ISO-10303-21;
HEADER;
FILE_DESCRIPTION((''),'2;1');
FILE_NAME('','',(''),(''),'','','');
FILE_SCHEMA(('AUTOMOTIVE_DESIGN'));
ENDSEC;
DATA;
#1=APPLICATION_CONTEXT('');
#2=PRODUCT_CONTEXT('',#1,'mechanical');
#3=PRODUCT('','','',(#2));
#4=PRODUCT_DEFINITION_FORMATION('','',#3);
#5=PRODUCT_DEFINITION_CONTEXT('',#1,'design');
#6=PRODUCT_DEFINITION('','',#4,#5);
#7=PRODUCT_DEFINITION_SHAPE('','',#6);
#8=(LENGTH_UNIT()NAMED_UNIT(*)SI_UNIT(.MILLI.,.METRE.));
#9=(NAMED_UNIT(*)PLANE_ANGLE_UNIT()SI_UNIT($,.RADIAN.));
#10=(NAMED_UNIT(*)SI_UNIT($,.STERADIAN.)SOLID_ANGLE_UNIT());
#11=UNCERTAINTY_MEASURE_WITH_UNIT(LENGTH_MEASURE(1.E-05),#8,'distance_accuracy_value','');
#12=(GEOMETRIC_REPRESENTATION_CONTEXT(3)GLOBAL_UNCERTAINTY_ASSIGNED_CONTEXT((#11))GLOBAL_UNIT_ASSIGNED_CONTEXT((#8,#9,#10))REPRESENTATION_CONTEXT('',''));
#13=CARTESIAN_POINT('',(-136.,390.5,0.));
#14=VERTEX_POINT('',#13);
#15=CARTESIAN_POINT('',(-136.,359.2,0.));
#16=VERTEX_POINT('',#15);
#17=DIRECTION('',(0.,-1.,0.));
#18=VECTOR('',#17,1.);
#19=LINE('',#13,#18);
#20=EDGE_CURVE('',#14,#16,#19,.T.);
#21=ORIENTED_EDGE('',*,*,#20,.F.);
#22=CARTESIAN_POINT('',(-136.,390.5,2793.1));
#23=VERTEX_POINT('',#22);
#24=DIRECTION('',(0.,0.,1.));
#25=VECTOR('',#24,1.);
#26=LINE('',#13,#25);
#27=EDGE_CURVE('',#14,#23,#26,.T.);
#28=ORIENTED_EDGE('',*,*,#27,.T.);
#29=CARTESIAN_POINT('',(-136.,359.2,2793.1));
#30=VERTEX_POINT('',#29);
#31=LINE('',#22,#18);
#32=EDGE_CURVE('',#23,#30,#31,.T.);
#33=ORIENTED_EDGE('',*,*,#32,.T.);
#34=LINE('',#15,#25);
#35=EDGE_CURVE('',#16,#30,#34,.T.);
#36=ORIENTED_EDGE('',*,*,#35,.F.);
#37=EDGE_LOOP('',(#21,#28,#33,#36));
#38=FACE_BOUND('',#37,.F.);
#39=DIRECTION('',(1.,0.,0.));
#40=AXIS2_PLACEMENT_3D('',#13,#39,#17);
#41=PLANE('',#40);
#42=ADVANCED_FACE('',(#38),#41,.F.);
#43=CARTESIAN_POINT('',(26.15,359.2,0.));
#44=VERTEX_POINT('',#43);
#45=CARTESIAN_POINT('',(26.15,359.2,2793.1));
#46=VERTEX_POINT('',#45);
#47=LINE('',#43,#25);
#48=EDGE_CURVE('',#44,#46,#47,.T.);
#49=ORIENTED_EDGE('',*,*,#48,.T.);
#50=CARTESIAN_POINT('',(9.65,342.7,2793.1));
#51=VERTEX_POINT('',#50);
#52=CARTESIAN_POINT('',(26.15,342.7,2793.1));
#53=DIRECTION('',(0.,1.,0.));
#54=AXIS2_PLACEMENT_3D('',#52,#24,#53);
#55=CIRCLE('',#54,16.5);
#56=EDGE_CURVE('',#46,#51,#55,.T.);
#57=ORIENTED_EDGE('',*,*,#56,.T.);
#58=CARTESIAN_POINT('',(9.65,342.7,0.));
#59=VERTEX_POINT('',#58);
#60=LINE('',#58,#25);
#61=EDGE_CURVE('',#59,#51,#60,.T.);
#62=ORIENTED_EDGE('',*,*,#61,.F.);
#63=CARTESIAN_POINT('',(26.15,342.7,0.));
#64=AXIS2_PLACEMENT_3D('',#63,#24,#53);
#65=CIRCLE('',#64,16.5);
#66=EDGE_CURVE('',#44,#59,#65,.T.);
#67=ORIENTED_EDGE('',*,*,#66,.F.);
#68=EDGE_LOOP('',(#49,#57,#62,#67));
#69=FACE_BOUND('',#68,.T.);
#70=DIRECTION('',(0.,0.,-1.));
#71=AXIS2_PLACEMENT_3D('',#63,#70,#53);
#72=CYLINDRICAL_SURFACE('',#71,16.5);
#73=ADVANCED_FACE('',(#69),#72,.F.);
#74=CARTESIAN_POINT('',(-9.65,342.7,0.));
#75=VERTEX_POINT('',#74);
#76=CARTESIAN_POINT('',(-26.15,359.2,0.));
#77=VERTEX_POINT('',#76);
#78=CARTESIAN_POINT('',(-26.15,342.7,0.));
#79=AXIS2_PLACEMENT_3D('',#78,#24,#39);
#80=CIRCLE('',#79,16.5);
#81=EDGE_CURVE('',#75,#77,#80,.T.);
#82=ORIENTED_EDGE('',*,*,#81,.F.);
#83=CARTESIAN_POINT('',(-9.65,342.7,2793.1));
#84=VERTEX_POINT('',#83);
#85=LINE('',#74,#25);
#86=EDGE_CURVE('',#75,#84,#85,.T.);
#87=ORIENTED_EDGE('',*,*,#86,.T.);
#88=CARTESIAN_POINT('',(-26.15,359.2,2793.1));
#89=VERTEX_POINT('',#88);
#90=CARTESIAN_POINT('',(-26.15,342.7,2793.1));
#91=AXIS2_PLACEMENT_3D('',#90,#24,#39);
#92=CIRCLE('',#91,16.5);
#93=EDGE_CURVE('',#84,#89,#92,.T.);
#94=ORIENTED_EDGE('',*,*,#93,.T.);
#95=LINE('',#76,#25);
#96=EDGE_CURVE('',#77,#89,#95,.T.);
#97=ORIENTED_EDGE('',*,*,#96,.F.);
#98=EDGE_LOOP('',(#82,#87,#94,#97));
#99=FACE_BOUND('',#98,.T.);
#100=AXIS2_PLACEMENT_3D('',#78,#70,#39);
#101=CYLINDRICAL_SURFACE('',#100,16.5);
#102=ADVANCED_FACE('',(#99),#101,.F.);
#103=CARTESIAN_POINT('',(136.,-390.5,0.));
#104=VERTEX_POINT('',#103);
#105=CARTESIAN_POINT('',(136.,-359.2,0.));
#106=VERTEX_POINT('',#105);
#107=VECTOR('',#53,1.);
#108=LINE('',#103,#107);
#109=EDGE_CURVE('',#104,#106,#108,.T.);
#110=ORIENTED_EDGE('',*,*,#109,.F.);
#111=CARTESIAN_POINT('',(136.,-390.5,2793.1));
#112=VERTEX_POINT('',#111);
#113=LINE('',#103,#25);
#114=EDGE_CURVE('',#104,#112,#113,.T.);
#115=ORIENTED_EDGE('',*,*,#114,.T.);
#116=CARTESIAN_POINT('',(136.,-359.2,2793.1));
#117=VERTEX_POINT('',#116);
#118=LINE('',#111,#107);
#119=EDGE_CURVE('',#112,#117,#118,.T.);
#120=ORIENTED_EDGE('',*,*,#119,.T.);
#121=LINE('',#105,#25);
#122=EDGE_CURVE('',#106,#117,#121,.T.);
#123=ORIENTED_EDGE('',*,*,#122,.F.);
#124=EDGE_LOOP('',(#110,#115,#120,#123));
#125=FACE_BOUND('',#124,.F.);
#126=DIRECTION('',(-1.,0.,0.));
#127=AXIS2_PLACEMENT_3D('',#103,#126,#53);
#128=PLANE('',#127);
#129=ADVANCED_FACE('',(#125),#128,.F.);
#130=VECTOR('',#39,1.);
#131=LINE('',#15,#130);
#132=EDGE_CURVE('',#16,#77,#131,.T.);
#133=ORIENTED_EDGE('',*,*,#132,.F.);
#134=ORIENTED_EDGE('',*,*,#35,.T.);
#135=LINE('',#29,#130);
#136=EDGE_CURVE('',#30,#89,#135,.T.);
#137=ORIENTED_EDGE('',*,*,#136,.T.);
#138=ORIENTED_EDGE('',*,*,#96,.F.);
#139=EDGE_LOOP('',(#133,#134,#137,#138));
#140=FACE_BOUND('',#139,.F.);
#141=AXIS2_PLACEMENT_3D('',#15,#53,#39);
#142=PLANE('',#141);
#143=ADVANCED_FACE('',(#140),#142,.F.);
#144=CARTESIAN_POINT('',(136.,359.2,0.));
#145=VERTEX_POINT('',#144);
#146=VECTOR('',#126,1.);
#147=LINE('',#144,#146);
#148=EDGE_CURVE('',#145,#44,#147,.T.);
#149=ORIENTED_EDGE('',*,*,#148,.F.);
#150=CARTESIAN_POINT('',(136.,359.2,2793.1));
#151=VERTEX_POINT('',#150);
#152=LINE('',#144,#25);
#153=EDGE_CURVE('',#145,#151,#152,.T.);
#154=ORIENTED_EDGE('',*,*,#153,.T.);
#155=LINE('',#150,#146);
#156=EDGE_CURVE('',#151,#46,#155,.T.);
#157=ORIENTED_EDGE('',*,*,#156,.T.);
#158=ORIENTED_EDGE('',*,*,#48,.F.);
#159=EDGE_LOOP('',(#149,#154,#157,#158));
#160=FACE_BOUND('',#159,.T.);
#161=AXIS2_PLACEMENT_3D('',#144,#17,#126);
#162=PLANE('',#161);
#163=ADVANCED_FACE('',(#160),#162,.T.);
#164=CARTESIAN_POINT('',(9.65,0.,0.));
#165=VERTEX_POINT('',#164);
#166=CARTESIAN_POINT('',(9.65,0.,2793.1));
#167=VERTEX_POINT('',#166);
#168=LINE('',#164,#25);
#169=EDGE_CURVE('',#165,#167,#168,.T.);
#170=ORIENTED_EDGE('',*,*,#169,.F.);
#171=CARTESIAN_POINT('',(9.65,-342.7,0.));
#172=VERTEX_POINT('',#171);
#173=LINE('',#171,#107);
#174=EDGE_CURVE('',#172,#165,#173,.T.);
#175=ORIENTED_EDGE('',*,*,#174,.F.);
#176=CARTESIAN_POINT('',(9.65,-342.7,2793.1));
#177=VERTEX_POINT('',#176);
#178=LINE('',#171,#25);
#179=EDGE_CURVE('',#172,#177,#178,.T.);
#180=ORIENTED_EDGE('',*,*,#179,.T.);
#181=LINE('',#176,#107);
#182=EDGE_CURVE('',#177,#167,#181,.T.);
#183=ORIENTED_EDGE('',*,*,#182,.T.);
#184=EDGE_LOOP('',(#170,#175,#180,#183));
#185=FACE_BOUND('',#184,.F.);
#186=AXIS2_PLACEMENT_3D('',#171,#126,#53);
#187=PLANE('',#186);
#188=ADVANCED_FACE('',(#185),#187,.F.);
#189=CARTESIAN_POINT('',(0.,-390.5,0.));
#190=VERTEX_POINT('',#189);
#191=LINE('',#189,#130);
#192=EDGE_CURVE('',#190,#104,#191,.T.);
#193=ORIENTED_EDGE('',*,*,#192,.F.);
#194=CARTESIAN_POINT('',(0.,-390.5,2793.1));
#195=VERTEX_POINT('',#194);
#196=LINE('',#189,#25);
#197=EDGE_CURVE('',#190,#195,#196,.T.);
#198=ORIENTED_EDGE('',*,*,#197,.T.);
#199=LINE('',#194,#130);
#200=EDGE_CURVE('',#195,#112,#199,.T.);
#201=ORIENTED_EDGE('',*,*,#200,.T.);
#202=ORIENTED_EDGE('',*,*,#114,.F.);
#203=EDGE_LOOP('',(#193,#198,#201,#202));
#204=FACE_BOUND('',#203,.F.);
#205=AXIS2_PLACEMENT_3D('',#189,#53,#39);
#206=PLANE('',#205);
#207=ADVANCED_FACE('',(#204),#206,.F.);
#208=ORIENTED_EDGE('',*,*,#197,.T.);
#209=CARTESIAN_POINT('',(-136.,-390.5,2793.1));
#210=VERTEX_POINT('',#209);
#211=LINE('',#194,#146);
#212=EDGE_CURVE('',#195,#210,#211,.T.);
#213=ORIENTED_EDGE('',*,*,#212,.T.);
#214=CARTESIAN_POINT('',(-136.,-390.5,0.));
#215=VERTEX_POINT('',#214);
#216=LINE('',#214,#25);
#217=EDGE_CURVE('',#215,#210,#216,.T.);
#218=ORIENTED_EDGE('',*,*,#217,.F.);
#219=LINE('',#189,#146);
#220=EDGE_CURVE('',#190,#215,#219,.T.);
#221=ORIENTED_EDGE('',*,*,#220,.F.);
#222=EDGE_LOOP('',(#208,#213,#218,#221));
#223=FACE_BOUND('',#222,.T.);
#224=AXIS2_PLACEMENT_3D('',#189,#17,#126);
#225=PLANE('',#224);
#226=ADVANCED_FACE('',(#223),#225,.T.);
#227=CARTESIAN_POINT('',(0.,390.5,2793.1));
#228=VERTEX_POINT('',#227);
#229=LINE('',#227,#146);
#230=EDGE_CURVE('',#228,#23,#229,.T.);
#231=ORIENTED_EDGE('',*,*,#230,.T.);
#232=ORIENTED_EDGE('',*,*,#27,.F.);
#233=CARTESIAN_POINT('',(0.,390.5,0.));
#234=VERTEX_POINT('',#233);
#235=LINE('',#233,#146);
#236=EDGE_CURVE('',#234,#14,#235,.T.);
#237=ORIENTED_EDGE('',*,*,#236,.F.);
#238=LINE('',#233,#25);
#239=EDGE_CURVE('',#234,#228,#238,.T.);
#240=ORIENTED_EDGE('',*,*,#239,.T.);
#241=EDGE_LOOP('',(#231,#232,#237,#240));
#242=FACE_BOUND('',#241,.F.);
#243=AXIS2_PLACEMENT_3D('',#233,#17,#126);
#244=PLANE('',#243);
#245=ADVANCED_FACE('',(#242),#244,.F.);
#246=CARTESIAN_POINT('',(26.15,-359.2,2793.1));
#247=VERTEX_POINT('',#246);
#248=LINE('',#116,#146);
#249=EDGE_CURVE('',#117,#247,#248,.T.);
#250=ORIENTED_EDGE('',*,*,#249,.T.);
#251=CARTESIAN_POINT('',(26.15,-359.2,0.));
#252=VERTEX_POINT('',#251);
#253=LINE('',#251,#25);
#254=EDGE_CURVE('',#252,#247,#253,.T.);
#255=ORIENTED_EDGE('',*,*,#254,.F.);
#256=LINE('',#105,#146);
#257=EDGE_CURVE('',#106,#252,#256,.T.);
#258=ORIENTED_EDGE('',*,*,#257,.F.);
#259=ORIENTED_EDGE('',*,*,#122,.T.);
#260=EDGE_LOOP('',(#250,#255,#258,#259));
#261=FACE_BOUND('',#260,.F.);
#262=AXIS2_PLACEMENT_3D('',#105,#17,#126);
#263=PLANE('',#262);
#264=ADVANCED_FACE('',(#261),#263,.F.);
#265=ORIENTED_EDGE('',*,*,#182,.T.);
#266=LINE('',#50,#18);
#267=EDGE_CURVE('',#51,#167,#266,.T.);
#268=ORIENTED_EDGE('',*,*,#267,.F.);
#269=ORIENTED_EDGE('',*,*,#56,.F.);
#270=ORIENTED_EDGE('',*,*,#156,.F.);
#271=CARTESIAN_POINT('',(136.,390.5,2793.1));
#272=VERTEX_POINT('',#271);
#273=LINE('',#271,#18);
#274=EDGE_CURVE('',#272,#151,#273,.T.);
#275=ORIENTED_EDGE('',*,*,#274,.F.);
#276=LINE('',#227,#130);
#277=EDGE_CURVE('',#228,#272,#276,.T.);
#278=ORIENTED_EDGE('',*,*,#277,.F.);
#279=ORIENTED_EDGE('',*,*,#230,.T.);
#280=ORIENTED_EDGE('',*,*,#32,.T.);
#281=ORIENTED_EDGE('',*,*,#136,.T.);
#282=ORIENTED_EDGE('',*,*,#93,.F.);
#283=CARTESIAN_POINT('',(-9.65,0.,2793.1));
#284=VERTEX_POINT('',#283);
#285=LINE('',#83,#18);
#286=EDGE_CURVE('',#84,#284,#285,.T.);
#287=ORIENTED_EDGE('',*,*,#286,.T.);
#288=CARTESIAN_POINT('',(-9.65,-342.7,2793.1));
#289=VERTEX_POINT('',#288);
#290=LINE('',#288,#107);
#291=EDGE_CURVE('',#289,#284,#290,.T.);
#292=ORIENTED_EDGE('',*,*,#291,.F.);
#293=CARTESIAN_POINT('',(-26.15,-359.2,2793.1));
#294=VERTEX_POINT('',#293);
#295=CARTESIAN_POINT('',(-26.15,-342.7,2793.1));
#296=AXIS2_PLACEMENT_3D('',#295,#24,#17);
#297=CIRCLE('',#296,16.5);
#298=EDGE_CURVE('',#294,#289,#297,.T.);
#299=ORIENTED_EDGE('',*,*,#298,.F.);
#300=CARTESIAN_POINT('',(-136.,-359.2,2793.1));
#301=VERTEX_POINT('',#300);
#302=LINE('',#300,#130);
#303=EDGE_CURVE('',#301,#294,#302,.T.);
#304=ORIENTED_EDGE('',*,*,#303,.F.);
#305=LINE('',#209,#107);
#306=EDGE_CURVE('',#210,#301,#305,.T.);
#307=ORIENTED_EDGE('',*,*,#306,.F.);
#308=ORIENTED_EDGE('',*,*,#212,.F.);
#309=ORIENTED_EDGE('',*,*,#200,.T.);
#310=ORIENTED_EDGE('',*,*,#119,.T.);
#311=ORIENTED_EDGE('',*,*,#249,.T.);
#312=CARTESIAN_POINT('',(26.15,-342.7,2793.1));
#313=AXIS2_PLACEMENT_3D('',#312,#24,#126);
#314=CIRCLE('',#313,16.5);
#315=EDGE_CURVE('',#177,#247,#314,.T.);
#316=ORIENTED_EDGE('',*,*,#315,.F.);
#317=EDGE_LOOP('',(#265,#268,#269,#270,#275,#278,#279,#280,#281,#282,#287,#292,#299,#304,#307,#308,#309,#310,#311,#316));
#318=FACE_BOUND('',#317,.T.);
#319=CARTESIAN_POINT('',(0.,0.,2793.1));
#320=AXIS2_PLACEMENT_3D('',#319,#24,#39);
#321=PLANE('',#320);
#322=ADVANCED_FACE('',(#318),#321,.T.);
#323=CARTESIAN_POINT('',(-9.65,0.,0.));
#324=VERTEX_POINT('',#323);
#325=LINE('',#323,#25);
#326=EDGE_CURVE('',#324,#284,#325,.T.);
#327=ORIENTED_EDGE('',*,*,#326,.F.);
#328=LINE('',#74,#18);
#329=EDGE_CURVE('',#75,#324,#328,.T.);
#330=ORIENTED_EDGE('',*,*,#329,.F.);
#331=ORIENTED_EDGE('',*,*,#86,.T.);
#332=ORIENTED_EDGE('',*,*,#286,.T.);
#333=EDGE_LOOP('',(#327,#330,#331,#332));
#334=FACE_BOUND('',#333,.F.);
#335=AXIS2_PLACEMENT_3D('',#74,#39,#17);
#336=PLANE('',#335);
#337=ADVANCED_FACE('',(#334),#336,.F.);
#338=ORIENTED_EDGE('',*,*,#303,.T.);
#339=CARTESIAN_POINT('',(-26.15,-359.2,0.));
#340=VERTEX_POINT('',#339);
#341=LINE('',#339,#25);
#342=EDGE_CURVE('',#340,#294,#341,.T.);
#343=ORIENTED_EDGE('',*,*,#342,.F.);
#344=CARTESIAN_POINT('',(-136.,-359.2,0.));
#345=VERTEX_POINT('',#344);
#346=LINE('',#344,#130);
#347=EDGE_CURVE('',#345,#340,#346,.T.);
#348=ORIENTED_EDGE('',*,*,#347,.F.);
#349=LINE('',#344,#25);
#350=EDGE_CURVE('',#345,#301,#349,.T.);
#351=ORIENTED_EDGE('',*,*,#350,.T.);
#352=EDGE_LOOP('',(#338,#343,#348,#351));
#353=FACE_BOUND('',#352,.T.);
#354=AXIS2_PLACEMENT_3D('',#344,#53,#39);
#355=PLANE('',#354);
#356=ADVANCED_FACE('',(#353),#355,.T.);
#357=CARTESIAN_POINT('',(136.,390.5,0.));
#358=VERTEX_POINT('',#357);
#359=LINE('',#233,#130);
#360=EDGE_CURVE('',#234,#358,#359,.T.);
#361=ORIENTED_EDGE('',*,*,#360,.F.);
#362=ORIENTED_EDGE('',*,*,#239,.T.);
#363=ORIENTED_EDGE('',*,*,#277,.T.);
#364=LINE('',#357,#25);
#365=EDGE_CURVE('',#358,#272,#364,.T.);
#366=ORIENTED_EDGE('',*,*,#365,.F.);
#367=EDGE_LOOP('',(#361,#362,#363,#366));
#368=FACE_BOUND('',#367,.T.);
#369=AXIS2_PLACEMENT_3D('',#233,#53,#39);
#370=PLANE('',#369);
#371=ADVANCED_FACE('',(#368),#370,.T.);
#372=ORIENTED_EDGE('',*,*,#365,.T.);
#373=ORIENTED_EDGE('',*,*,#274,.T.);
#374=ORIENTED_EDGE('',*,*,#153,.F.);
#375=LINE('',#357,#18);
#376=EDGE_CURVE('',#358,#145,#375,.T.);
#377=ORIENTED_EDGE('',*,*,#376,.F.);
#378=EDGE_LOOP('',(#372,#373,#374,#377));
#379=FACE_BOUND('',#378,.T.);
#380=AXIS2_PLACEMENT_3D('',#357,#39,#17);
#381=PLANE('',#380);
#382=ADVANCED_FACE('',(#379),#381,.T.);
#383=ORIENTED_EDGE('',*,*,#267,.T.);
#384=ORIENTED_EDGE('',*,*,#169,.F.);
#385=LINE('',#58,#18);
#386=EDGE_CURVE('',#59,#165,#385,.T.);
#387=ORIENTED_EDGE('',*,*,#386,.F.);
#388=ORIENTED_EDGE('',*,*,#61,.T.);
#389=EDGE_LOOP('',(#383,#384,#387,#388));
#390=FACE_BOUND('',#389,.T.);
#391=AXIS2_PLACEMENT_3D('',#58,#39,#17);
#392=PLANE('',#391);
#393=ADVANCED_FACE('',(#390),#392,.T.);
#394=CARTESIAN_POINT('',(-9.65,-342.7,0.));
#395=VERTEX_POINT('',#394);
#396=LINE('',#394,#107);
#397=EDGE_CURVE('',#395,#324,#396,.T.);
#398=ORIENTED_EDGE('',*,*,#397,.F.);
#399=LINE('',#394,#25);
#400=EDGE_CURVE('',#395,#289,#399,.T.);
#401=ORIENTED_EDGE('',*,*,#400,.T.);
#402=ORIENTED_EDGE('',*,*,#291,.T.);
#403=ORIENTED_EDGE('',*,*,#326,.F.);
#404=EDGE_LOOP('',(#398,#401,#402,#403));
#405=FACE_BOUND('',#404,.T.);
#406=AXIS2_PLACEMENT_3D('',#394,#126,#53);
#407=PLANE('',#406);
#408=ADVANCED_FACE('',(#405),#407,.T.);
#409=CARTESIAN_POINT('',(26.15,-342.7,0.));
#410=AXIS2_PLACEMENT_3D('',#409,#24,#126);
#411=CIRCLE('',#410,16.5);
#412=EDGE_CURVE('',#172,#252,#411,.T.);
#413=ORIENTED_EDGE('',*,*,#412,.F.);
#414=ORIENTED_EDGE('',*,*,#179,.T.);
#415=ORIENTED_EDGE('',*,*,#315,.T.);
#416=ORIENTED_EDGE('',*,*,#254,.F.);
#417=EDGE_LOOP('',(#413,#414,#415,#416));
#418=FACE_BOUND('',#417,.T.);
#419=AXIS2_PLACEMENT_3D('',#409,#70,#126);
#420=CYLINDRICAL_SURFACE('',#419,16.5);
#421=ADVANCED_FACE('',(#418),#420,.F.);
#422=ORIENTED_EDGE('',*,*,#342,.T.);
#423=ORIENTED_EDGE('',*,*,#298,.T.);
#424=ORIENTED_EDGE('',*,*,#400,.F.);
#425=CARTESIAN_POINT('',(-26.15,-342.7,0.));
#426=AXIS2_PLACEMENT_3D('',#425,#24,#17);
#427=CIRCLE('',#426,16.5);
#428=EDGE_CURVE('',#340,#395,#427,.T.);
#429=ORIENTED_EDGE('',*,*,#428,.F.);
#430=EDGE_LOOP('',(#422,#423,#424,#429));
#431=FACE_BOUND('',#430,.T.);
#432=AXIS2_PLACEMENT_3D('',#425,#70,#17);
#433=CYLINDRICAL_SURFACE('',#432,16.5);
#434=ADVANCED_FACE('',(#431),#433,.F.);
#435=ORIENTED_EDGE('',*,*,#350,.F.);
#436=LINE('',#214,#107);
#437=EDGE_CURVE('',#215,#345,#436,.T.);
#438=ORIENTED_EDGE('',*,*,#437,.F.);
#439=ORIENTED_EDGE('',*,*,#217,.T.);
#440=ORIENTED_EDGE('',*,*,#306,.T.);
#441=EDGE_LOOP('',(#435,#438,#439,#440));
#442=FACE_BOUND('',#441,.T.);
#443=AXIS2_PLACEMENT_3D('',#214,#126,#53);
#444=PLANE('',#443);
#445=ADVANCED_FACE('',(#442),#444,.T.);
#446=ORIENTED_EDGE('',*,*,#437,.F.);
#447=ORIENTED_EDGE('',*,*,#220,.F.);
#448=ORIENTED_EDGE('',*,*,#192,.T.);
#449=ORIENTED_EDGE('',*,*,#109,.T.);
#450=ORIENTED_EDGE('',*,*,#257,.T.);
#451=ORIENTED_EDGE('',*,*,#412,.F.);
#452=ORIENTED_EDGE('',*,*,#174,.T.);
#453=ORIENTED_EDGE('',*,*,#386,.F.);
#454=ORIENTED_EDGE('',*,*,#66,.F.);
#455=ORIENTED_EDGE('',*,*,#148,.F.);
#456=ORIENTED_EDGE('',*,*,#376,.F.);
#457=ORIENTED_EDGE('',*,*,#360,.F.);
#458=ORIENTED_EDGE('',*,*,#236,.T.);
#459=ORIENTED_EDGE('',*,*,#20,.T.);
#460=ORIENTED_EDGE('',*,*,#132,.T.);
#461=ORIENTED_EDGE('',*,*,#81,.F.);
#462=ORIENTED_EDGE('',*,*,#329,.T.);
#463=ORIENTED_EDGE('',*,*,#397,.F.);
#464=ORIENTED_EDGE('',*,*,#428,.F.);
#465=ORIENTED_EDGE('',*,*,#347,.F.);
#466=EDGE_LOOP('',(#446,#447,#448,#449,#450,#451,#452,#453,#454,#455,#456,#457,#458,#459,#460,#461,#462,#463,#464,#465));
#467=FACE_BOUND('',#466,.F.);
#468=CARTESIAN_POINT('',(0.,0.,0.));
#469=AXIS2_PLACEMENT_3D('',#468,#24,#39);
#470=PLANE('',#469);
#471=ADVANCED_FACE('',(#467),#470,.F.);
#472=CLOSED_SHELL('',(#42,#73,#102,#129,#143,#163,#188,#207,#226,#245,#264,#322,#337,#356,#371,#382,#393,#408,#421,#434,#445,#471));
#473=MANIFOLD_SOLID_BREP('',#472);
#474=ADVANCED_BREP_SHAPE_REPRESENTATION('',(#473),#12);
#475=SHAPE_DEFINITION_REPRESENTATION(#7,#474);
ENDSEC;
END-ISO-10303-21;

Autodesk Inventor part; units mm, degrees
ref_plane "YZ Plane" through (0, 0, 0) normal (1, 0, 0) x (0, 1, 0)
ref_plane "Start plane" through (0, 0, 0) normal (0, 0, 1) x (1, 0, 0)
ref_plane "End plane" through (0, 0, 2793.1) normal (0, 0, 1) x (1, 0, 0)
sketch "Sketch" plane through (0, 0, 0) normal (0, 0, 1) x (1, 0, 0)
  line L0 (-136, -390.5) -> (-136, -359.2)
  line L1 (-136, -359.2) -> (-26.15, -359.2)
  line L2 (-9.65, -342.7) -> (-9.65, 0)
  line L3 (-9.65, 0) -> (0, 0) construction
  line L4 (0, 0) -> (0, -390.5) construction
  line L5 (0, -390.5) -> (-136, -390.5)
  line L6 (-60, 0) -> (80, 0) construction
  line L7 (0, -60) -> (0, 80) construction
  line L8 (136, -390.5) -> (136, -359.2)
  line L9 (136, -359.2) -> (26.15, -359.2)
  line L10 (9.65, -342.7) -> (9.65, 0)
  line L11 (9.65, 0) -> (0, 0) construction
  line L12 (0, -390.5) -> (136, -390.5)
  line L13 (-136, 390.5) -> (-136, 359.2)
  line L14 (-136, 359.2) -> (-26.15, 359.2)
  line L15 (-9.65, 342.7) -> (-9.65, 0)
  line L16 (0, 390.5) -> (-136, 390.5)
  line L17 (136, 390.5) -> (136, 359.2)
  line L18 (136, 359.2) -> (26.15, 359.2)
  line L19 (0, 390.5) -> (136, 390.5)
  line L20 (9.65, 342.7) -> (9.65, 0)
  arc A0 (-9.65, 342.7) -> (-26.15, 359.2) centre (-26.15, 342.7) ccw
  arc A1 (26.15, 359.2) -> (9.65, 342.7) centre (26.15, 342.7) ccw
  arc A2 (9.65, -342.7) -> (26.15, -359.2) centre (26.15, -342.7) ccw
  arc A3 (-26.15, -359.2) -> (-9.65, -342.7) centre (-26.15, -342.7) ccw
  line L21 (0, 108) -> (0, -88) construction
  line L22 (-88, 0) -> (108, 0) construction
  point P0 (-9.65, -359.2)
  point P1 (9.65, -359.2)
  point P2 (-9.65, 359.2)
  point P3 (9.65, 359.2)
  dimension "d1" = 390.5
  dimension "d2" = 31.3
  dimension "d3" = 136
  dimension "d4" = 9.65
  dimension "d10" = 16.5
extrude "Body" add sketch "Sketch" along normal up to surface (2793.1 mm away) from surface at 0
sketch "Sketch4" plane through (0, 0, 0) normal (0, 0, 1) x (1, 0, 0)
  line L0 (0, 0) -> (10, 0)
ref_plane "Work Plane3" through (0, 0, 0) normal (0, -1, 0) x (1, 0, 0)
sketch "Sketch5" plane through (0, 0, 0) normal (0, -1, 0) x (1, 0, 0)
  line L0 (-2, 0) -> (12, 0) projected
  line L1 (-2, 2793.1) -> (12, 2793.1) projected
  dimension "d14" = 2793.1
equation "\"d1\" = 0.5 * G_H"
equation "\"d2\" = G_T1"
equation "\"d3\" = 0.5 * G_W"
equation "\"d4\" = 0.5 * G_T"
equation "\"d10\" = G_IR"
equation "\"d5\" = G_L"
equation "\"G_W\" = 272"
equation "\"G_H\" = 781"
equation "\"G_T\" = 19.3"
equation "\"G_T1\" = 31.3"
equation "\"G_IR\" = 16.5"
equation "\"G_L\" = d14"
equation "\"G_OFFSET_START\" = 0"
equation "\"G_OFFSET_END\" = 0"
equation "\"d12\" = G_OFFSET_END + B_L"
equation "\"B_L\" = 2793.1"
properties part number "AS 3679-1990 - 760 UB - 244 - 2793.1" material "Steel, Mild"
